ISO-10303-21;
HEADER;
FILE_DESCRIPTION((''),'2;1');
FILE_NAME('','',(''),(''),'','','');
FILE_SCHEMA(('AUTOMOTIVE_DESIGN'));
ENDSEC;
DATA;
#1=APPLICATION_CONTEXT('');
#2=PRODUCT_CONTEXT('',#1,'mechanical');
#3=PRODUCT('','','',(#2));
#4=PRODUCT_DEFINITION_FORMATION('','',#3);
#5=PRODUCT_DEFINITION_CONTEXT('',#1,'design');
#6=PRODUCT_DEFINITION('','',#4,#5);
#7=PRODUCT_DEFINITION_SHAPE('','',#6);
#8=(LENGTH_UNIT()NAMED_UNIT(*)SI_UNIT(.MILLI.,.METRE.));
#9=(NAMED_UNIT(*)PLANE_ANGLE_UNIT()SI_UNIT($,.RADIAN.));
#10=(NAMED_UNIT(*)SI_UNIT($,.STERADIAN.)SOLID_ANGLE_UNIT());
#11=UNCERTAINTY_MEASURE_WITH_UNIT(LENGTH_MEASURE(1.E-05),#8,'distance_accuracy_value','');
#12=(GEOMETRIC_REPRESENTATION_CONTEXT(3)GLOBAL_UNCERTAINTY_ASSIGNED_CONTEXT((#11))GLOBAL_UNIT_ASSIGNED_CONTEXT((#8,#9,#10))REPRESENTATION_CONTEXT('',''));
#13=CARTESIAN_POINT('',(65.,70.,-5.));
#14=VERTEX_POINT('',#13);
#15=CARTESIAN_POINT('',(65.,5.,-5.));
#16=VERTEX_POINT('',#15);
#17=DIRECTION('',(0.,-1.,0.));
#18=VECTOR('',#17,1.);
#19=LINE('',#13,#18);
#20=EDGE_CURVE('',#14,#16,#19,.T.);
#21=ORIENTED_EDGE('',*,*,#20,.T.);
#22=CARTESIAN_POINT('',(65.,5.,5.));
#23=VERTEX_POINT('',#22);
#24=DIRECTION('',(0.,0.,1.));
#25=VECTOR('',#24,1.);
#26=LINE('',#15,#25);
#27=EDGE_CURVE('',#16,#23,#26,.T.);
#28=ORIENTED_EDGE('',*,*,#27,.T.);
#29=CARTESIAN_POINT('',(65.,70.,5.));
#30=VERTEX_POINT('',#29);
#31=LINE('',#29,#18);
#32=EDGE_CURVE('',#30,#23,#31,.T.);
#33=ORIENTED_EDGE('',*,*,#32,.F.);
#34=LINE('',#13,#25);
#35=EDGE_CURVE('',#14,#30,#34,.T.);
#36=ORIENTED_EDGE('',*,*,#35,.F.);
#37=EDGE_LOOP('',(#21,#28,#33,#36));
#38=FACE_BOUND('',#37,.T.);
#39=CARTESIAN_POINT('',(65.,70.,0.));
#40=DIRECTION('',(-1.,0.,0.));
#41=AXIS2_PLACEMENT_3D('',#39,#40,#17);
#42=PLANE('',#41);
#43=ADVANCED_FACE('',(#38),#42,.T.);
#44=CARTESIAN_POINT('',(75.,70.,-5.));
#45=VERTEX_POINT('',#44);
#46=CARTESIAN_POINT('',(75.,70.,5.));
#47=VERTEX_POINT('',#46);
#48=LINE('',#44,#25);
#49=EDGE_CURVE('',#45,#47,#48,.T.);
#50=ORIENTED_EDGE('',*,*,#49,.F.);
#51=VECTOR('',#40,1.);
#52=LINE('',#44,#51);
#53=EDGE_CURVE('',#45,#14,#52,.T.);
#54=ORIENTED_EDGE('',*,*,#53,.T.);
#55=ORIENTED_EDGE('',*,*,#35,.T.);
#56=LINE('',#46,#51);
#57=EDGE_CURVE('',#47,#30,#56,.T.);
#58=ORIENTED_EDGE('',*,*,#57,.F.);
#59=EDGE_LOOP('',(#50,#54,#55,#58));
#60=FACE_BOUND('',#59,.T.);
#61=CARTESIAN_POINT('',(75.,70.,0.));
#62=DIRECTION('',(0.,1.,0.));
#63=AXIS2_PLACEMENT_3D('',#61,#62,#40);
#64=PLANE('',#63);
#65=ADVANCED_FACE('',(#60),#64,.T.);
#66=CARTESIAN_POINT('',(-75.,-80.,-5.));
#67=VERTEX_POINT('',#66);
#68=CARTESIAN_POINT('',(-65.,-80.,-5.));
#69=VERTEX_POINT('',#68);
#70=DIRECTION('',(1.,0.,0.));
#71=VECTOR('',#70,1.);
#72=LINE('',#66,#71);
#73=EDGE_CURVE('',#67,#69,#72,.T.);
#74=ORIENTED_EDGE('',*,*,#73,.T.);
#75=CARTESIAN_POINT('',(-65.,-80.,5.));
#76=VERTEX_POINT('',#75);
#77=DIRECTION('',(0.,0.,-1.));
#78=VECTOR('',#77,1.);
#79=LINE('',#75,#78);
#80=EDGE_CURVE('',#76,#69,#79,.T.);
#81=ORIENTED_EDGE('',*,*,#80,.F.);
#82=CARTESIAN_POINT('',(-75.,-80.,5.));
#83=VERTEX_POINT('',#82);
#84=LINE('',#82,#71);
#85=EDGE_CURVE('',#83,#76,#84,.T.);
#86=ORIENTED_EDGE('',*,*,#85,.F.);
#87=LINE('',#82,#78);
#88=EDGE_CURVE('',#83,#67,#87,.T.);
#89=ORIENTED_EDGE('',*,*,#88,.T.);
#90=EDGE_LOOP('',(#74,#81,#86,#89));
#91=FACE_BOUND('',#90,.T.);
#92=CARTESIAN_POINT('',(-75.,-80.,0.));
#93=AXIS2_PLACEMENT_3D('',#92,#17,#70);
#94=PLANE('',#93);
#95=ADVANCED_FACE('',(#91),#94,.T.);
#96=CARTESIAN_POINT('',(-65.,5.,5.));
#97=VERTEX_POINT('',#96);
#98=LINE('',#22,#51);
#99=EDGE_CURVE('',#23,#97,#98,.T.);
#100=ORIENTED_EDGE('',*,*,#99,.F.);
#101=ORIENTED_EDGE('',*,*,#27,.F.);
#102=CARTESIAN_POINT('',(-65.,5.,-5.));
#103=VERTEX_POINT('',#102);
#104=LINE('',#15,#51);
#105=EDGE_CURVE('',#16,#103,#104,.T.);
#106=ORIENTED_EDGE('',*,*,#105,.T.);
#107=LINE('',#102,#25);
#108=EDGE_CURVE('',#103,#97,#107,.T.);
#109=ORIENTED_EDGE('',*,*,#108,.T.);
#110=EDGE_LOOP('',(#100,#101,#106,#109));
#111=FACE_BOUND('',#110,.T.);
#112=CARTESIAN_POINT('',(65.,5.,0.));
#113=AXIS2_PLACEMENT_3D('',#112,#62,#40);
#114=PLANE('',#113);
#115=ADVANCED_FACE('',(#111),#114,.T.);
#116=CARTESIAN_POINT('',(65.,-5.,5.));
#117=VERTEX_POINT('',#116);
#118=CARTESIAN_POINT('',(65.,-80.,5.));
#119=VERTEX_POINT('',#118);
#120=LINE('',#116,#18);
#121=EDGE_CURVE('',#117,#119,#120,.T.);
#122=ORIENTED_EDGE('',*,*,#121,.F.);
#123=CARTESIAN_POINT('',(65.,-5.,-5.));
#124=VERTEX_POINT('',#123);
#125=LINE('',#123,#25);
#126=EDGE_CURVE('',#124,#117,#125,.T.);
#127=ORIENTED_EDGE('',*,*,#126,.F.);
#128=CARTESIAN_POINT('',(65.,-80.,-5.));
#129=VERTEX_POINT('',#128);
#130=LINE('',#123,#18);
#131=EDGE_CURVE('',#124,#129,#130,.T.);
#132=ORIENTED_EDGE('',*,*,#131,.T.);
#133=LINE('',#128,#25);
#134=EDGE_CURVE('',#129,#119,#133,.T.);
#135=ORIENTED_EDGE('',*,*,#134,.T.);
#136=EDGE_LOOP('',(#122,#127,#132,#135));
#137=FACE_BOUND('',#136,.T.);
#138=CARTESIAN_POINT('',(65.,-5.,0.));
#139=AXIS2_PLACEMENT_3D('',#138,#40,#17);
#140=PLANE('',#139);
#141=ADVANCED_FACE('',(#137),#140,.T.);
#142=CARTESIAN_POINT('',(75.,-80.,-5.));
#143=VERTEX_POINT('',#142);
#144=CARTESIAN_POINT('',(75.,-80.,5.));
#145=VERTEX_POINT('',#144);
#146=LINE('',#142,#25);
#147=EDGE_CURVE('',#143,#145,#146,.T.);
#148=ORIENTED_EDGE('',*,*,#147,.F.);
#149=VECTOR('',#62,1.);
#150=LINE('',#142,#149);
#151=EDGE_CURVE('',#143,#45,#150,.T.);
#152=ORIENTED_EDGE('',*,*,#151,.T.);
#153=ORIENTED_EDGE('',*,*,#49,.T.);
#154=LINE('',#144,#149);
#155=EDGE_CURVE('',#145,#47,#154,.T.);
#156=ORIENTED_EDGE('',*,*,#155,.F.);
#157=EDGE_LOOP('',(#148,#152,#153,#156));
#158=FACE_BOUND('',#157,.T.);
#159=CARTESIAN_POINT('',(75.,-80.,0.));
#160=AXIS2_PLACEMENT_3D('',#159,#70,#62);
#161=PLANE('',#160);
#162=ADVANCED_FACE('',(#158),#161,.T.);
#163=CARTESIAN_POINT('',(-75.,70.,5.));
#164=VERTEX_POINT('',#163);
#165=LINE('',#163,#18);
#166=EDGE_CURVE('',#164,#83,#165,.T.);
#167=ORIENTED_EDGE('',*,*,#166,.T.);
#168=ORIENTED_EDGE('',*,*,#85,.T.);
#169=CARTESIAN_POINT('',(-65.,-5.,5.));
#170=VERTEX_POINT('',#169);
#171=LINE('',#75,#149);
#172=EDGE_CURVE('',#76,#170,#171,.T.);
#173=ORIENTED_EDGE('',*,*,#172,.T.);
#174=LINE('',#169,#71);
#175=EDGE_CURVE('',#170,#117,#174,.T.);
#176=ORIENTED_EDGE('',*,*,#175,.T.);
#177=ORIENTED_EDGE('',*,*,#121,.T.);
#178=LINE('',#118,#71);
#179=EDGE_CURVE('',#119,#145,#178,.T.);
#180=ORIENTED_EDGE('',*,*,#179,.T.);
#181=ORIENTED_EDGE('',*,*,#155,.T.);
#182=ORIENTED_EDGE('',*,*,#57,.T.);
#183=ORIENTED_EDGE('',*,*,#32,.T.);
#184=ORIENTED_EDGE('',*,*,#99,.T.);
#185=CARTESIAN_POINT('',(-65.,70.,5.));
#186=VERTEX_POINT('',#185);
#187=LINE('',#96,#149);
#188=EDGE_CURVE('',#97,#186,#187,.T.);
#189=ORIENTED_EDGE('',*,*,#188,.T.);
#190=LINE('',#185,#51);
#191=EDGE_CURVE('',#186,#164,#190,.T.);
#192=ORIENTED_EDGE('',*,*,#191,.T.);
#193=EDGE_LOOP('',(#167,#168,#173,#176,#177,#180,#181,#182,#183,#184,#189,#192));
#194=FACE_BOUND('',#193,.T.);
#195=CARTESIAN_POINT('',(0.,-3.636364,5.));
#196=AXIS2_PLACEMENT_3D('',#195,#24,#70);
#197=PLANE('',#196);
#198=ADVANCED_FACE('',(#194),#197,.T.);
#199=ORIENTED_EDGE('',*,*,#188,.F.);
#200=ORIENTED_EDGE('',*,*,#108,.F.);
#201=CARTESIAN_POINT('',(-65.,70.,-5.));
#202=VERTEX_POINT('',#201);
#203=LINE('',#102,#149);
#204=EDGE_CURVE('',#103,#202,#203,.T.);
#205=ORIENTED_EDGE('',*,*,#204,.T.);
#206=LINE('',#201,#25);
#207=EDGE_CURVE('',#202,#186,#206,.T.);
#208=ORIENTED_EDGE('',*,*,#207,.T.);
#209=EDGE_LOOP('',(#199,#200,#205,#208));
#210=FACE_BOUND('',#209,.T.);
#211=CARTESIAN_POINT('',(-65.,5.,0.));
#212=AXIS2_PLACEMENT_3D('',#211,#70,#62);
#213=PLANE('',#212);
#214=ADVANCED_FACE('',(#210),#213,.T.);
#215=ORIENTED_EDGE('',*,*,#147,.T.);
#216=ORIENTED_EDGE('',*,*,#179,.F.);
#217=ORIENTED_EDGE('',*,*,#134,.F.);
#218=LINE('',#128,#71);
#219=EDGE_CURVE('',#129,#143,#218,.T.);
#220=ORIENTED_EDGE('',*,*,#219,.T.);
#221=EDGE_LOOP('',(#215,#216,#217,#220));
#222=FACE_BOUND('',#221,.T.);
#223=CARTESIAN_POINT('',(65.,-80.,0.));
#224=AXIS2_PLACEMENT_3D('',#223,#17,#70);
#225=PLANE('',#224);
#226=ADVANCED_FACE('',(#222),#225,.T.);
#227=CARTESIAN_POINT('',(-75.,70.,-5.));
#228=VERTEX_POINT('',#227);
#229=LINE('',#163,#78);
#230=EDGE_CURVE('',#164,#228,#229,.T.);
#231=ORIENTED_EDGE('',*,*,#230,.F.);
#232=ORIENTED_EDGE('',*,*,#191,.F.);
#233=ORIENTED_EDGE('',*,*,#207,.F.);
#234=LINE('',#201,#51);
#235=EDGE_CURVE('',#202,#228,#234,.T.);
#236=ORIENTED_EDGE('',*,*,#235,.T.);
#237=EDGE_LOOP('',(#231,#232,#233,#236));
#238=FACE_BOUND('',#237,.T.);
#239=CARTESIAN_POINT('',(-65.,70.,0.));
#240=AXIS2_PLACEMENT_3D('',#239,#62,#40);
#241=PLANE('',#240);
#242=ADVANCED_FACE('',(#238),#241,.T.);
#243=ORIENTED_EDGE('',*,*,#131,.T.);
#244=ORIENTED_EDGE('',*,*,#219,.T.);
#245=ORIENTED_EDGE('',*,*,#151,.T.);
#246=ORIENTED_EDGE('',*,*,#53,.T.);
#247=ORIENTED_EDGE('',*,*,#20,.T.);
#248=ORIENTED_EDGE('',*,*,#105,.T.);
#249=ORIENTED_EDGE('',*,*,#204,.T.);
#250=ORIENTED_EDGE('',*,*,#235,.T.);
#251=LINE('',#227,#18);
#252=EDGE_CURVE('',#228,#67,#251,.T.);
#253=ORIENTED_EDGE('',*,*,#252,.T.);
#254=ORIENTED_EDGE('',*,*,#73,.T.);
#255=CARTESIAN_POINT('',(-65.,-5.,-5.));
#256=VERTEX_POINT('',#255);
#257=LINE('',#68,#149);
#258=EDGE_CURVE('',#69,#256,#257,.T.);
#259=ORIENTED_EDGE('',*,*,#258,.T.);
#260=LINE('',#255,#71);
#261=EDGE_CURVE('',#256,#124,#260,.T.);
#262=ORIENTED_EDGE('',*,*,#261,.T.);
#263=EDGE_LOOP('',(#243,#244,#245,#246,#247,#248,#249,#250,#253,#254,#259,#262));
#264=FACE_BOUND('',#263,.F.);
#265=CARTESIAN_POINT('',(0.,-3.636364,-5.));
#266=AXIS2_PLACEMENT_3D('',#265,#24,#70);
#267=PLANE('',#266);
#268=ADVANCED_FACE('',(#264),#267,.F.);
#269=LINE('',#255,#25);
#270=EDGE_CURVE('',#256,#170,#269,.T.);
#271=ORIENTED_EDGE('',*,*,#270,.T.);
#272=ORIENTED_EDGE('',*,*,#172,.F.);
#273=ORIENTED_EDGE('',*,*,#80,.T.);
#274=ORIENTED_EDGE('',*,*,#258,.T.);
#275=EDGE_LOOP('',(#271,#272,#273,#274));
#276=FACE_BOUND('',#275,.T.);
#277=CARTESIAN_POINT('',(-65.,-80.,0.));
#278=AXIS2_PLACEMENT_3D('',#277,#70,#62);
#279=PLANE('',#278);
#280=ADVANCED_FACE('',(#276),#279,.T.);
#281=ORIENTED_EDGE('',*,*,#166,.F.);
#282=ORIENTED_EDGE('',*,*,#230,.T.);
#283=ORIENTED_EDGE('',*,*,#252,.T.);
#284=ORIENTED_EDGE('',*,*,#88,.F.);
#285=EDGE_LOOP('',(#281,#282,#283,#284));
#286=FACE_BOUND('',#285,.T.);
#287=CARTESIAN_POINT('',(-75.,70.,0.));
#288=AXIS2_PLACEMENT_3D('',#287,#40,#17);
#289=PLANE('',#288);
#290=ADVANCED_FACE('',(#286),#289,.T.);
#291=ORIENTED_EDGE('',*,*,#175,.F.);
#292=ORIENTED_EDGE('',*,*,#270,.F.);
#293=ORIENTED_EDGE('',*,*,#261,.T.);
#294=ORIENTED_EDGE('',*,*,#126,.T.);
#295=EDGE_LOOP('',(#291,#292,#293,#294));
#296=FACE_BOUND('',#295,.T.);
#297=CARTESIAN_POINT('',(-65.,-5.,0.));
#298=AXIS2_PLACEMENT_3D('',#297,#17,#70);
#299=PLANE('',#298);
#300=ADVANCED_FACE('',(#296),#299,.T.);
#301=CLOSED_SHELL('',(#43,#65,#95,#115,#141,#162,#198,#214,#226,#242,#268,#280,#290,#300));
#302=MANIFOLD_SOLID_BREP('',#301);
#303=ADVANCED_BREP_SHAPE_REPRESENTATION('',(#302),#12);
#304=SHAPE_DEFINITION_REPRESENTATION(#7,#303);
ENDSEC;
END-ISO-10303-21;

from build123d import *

# Parameters (mm, degrees)
F1_DEPTH = 5


with BuildPart() as f1:
    # F0 (on Top) → F1 (new body, symmetric)
    with BuildSketch(Plane.XY):
        Polygon((-65, -80), (-65, -5), (65, -5), (65, -80), (75, -80), (75, 70), (65, 70), (65, 5), (-65, 5), (-65, 70), (-75, 70), (-75, -80), align=None)
    extrude(amount=F1_DEPTH, both=True)


solid = f1.part
